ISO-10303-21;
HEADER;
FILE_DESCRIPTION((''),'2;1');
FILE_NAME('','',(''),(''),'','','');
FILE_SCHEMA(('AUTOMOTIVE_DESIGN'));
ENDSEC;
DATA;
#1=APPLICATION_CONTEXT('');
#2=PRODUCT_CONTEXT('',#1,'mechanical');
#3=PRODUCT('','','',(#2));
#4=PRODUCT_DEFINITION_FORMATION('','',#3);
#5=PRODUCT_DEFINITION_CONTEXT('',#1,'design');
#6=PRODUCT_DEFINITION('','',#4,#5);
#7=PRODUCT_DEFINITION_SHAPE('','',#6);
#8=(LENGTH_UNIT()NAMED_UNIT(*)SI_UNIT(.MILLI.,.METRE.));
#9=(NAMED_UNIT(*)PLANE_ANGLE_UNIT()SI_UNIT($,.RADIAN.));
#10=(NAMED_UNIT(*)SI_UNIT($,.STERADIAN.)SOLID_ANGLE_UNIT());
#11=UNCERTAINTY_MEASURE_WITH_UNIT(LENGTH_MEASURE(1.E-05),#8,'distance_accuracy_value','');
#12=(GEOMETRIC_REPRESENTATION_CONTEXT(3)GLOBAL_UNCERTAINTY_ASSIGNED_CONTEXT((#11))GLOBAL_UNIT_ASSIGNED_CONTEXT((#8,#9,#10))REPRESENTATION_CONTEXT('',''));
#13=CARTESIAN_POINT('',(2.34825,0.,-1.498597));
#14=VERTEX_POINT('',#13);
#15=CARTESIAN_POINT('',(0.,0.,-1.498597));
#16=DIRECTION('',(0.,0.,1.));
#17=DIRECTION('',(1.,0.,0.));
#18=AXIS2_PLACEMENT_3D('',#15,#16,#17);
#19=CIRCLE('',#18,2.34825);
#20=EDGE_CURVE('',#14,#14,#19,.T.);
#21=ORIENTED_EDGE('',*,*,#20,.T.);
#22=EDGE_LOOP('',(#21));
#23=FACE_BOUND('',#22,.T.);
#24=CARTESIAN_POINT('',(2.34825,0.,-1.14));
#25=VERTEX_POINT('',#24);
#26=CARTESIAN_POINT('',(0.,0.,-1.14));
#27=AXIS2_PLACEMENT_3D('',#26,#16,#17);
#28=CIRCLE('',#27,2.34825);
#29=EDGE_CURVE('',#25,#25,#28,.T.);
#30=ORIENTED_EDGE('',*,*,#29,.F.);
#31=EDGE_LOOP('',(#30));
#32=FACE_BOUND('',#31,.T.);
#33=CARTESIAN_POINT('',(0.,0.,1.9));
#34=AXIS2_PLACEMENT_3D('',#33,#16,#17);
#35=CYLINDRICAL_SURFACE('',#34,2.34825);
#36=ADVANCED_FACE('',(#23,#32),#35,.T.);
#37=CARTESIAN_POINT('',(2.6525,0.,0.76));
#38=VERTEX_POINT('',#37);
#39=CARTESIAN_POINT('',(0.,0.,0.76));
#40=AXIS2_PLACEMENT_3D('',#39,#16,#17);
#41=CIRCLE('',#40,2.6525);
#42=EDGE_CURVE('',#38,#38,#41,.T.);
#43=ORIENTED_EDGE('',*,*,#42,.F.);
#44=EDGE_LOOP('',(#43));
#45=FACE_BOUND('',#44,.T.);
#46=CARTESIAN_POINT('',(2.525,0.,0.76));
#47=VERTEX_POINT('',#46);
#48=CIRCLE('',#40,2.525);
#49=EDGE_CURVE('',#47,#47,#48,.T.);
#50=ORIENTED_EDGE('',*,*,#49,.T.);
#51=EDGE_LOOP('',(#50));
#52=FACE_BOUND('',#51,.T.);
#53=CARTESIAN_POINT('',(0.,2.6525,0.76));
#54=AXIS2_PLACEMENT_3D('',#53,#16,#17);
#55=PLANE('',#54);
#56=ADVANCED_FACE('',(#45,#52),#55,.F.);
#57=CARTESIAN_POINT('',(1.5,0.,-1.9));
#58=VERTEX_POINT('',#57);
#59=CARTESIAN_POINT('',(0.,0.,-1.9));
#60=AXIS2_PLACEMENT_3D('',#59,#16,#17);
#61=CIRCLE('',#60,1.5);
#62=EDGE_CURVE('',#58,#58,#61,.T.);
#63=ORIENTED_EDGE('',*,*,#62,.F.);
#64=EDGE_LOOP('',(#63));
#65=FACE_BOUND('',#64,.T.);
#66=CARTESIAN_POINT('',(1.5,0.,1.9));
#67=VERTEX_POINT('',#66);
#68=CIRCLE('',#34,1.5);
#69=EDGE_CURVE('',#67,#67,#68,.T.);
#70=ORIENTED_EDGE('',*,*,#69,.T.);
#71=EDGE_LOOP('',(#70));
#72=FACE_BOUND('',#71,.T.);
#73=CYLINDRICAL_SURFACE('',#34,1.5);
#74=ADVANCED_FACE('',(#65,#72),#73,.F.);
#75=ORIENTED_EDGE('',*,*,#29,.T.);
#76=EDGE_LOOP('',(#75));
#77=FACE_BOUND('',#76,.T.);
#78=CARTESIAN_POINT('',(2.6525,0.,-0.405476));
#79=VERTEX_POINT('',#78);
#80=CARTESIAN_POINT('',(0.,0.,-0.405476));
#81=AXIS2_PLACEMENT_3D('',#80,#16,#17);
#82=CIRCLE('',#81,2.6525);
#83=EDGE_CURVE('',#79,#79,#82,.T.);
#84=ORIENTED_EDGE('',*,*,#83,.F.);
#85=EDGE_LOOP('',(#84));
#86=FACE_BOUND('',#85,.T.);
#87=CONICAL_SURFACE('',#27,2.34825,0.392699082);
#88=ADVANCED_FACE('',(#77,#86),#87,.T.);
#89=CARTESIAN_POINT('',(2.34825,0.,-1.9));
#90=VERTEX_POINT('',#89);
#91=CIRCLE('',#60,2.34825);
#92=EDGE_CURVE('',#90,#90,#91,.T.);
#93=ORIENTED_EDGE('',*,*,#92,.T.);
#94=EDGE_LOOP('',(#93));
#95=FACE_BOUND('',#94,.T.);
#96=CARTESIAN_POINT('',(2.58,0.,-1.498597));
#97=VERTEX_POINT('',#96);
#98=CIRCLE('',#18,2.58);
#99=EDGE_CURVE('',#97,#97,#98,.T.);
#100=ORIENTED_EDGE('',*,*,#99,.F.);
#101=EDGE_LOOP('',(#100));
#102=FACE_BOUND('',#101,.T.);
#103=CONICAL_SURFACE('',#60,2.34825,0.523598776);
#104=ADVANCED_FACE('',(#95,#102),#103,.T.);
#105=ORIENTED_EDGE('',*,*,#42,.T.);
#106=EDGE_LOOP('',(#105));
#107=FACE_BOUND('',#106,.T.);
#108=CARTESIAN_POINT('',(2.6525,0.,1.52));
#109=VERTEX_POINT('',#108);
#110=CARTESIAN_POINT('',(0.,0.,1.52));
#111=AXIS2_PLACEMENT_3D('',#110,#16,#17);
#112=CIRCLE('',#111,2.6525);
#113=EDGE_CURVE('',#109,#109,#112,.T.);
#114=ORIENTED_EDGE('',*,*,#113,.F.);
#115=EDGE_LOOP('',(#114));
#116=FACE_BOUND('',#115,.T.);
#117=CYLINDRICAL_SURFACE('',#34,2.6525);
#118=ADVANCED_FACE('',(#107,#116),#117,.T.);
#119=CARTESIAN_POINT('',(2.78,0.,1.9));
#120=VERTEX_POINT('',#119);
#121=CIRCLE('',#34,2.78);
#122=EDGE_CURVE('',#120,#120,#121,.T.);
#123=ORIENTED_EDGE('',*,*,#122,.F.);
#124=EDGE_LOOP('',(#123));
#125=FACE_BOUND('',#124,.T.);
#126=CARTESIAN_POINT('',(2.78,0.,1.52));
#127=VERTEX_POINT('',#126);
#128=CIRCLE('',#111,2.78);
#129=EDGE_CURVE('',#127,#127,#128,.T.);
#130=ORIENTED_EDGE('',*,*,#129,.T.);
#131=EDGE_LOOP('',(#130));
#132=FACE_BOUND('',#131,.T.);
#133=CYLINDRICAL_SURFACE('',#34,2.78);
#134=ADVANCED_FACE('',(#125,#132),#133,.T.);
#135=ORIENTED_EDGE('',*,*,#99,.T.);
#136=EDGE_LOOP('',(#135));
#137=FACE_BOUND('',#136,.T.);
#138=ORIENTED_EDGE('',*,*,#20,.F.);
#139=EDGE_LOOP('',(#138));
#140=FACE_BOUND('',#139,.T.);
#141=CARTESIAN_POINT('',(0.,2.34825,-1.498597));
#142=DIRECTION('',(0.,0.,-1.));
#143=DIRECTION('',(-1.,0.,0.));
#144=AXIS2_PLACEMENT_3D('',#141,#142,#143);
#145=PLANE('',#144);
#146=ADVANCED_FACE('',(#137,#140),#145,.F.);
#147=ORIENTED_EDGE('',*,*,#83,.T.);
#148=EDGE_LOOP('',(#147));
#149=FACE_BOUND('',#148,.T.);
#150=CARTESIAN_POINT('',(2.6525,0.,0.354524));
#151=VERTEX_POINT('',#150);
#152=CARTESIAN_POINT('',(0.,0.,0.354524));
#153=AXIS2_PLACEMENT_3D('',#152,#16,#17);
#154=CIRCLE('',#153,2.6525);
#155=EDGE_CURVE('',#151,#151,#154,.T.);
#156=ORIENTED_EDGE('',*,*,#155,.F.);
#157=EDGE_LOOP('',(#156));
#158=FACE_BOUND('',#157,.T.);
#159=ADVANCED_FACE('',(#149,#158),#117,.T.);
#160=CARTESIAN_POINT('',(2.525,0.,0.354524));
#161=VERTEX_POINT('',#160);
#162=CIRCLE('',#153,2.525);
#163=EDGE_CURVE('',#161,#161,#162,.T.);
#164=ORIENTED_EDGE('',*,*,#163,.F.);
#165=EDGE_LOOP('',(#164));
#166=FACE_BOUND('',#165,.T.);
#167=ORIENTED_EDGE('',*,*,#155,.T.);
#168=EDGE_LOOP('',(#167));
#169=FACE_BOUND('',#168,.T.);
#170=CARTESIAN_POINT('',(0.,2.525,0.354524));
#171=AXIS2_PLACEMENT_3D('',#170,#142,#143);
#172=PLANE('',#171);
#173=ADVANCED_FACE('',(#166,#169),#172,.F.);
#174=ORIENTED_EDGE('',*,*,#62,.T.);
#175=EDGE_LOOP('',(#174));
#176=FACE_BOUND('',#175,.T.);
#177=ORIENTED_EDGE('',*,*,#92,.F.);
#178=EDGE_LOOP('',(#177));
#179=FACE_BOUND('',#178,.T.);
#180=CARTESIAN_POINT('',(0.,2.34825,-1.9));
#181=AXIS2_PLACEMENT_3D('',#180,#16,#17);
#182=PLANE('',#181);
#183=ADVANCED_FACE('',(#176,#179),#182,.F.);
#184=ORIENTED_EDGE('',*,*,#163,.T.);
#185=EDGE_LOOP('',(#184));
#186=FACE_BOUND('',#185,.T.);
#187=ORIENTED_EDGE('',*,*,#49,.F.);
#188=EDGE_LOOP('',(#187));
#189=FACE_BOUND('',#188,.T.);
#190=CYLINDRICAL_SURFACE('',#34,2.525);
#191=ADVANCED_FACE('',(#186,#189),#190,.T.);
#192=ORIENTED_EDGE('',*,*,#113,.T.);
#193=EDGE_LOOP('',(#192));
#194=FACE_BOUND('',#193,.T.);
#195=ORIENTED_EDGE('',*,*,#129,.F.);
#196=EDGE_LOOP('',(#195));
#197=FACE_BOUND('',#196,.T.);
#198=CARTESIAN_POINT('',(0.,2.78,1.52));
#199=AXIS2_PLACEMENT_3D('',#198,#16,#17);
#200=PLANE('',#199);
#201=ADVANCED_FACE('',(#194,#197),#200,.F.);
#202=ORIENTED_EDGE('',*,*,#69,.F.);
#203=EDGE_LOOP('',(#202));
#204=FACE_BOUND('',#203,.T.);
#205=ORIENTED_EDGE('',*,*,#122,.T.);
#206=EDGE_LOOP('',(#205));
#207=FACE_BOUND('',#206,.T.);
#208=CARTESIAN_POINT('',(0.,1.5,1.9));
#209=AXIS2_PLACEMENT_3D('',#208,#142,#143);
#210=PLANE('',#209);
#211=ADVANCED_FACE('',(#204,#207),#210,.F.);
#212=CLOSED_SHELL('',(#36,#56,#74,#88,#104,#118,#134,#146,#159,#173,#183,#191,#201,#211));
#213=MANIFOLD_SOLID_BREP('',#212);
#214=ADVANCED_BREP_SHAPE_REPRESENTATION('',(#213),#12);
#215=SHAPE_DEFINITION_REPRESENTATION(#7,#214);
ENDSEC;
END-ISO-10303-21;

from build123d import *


with BuildPart() as part:
    # Sketch3 → Revolve1 (revolve)
    with BuildSketch(Plane(origin=(0, 0, 0), x_dir=(0, 0, -1), z_dir=(1, 0, 0))):
        Polygon((-1.9, 1.5), (-1.9, 2.78), (-1.52, 2.78), (-1.52, 2.6525), (-0.76, 2.6525), (-0.76, 2.525), (-0.354524476, 2.525), (-0.354524476, 2.6525), (0.405475524, 2.6525), (1.14, 2.34825), (1.498597225, 2.34825), (1.498597225, 2.58), (1.9, 2.34825), (1.9, 1.5), align=None)
    revolve(axis=Axis((0, 0, 1.9), (0, 0, -1)))


solid = part.part
